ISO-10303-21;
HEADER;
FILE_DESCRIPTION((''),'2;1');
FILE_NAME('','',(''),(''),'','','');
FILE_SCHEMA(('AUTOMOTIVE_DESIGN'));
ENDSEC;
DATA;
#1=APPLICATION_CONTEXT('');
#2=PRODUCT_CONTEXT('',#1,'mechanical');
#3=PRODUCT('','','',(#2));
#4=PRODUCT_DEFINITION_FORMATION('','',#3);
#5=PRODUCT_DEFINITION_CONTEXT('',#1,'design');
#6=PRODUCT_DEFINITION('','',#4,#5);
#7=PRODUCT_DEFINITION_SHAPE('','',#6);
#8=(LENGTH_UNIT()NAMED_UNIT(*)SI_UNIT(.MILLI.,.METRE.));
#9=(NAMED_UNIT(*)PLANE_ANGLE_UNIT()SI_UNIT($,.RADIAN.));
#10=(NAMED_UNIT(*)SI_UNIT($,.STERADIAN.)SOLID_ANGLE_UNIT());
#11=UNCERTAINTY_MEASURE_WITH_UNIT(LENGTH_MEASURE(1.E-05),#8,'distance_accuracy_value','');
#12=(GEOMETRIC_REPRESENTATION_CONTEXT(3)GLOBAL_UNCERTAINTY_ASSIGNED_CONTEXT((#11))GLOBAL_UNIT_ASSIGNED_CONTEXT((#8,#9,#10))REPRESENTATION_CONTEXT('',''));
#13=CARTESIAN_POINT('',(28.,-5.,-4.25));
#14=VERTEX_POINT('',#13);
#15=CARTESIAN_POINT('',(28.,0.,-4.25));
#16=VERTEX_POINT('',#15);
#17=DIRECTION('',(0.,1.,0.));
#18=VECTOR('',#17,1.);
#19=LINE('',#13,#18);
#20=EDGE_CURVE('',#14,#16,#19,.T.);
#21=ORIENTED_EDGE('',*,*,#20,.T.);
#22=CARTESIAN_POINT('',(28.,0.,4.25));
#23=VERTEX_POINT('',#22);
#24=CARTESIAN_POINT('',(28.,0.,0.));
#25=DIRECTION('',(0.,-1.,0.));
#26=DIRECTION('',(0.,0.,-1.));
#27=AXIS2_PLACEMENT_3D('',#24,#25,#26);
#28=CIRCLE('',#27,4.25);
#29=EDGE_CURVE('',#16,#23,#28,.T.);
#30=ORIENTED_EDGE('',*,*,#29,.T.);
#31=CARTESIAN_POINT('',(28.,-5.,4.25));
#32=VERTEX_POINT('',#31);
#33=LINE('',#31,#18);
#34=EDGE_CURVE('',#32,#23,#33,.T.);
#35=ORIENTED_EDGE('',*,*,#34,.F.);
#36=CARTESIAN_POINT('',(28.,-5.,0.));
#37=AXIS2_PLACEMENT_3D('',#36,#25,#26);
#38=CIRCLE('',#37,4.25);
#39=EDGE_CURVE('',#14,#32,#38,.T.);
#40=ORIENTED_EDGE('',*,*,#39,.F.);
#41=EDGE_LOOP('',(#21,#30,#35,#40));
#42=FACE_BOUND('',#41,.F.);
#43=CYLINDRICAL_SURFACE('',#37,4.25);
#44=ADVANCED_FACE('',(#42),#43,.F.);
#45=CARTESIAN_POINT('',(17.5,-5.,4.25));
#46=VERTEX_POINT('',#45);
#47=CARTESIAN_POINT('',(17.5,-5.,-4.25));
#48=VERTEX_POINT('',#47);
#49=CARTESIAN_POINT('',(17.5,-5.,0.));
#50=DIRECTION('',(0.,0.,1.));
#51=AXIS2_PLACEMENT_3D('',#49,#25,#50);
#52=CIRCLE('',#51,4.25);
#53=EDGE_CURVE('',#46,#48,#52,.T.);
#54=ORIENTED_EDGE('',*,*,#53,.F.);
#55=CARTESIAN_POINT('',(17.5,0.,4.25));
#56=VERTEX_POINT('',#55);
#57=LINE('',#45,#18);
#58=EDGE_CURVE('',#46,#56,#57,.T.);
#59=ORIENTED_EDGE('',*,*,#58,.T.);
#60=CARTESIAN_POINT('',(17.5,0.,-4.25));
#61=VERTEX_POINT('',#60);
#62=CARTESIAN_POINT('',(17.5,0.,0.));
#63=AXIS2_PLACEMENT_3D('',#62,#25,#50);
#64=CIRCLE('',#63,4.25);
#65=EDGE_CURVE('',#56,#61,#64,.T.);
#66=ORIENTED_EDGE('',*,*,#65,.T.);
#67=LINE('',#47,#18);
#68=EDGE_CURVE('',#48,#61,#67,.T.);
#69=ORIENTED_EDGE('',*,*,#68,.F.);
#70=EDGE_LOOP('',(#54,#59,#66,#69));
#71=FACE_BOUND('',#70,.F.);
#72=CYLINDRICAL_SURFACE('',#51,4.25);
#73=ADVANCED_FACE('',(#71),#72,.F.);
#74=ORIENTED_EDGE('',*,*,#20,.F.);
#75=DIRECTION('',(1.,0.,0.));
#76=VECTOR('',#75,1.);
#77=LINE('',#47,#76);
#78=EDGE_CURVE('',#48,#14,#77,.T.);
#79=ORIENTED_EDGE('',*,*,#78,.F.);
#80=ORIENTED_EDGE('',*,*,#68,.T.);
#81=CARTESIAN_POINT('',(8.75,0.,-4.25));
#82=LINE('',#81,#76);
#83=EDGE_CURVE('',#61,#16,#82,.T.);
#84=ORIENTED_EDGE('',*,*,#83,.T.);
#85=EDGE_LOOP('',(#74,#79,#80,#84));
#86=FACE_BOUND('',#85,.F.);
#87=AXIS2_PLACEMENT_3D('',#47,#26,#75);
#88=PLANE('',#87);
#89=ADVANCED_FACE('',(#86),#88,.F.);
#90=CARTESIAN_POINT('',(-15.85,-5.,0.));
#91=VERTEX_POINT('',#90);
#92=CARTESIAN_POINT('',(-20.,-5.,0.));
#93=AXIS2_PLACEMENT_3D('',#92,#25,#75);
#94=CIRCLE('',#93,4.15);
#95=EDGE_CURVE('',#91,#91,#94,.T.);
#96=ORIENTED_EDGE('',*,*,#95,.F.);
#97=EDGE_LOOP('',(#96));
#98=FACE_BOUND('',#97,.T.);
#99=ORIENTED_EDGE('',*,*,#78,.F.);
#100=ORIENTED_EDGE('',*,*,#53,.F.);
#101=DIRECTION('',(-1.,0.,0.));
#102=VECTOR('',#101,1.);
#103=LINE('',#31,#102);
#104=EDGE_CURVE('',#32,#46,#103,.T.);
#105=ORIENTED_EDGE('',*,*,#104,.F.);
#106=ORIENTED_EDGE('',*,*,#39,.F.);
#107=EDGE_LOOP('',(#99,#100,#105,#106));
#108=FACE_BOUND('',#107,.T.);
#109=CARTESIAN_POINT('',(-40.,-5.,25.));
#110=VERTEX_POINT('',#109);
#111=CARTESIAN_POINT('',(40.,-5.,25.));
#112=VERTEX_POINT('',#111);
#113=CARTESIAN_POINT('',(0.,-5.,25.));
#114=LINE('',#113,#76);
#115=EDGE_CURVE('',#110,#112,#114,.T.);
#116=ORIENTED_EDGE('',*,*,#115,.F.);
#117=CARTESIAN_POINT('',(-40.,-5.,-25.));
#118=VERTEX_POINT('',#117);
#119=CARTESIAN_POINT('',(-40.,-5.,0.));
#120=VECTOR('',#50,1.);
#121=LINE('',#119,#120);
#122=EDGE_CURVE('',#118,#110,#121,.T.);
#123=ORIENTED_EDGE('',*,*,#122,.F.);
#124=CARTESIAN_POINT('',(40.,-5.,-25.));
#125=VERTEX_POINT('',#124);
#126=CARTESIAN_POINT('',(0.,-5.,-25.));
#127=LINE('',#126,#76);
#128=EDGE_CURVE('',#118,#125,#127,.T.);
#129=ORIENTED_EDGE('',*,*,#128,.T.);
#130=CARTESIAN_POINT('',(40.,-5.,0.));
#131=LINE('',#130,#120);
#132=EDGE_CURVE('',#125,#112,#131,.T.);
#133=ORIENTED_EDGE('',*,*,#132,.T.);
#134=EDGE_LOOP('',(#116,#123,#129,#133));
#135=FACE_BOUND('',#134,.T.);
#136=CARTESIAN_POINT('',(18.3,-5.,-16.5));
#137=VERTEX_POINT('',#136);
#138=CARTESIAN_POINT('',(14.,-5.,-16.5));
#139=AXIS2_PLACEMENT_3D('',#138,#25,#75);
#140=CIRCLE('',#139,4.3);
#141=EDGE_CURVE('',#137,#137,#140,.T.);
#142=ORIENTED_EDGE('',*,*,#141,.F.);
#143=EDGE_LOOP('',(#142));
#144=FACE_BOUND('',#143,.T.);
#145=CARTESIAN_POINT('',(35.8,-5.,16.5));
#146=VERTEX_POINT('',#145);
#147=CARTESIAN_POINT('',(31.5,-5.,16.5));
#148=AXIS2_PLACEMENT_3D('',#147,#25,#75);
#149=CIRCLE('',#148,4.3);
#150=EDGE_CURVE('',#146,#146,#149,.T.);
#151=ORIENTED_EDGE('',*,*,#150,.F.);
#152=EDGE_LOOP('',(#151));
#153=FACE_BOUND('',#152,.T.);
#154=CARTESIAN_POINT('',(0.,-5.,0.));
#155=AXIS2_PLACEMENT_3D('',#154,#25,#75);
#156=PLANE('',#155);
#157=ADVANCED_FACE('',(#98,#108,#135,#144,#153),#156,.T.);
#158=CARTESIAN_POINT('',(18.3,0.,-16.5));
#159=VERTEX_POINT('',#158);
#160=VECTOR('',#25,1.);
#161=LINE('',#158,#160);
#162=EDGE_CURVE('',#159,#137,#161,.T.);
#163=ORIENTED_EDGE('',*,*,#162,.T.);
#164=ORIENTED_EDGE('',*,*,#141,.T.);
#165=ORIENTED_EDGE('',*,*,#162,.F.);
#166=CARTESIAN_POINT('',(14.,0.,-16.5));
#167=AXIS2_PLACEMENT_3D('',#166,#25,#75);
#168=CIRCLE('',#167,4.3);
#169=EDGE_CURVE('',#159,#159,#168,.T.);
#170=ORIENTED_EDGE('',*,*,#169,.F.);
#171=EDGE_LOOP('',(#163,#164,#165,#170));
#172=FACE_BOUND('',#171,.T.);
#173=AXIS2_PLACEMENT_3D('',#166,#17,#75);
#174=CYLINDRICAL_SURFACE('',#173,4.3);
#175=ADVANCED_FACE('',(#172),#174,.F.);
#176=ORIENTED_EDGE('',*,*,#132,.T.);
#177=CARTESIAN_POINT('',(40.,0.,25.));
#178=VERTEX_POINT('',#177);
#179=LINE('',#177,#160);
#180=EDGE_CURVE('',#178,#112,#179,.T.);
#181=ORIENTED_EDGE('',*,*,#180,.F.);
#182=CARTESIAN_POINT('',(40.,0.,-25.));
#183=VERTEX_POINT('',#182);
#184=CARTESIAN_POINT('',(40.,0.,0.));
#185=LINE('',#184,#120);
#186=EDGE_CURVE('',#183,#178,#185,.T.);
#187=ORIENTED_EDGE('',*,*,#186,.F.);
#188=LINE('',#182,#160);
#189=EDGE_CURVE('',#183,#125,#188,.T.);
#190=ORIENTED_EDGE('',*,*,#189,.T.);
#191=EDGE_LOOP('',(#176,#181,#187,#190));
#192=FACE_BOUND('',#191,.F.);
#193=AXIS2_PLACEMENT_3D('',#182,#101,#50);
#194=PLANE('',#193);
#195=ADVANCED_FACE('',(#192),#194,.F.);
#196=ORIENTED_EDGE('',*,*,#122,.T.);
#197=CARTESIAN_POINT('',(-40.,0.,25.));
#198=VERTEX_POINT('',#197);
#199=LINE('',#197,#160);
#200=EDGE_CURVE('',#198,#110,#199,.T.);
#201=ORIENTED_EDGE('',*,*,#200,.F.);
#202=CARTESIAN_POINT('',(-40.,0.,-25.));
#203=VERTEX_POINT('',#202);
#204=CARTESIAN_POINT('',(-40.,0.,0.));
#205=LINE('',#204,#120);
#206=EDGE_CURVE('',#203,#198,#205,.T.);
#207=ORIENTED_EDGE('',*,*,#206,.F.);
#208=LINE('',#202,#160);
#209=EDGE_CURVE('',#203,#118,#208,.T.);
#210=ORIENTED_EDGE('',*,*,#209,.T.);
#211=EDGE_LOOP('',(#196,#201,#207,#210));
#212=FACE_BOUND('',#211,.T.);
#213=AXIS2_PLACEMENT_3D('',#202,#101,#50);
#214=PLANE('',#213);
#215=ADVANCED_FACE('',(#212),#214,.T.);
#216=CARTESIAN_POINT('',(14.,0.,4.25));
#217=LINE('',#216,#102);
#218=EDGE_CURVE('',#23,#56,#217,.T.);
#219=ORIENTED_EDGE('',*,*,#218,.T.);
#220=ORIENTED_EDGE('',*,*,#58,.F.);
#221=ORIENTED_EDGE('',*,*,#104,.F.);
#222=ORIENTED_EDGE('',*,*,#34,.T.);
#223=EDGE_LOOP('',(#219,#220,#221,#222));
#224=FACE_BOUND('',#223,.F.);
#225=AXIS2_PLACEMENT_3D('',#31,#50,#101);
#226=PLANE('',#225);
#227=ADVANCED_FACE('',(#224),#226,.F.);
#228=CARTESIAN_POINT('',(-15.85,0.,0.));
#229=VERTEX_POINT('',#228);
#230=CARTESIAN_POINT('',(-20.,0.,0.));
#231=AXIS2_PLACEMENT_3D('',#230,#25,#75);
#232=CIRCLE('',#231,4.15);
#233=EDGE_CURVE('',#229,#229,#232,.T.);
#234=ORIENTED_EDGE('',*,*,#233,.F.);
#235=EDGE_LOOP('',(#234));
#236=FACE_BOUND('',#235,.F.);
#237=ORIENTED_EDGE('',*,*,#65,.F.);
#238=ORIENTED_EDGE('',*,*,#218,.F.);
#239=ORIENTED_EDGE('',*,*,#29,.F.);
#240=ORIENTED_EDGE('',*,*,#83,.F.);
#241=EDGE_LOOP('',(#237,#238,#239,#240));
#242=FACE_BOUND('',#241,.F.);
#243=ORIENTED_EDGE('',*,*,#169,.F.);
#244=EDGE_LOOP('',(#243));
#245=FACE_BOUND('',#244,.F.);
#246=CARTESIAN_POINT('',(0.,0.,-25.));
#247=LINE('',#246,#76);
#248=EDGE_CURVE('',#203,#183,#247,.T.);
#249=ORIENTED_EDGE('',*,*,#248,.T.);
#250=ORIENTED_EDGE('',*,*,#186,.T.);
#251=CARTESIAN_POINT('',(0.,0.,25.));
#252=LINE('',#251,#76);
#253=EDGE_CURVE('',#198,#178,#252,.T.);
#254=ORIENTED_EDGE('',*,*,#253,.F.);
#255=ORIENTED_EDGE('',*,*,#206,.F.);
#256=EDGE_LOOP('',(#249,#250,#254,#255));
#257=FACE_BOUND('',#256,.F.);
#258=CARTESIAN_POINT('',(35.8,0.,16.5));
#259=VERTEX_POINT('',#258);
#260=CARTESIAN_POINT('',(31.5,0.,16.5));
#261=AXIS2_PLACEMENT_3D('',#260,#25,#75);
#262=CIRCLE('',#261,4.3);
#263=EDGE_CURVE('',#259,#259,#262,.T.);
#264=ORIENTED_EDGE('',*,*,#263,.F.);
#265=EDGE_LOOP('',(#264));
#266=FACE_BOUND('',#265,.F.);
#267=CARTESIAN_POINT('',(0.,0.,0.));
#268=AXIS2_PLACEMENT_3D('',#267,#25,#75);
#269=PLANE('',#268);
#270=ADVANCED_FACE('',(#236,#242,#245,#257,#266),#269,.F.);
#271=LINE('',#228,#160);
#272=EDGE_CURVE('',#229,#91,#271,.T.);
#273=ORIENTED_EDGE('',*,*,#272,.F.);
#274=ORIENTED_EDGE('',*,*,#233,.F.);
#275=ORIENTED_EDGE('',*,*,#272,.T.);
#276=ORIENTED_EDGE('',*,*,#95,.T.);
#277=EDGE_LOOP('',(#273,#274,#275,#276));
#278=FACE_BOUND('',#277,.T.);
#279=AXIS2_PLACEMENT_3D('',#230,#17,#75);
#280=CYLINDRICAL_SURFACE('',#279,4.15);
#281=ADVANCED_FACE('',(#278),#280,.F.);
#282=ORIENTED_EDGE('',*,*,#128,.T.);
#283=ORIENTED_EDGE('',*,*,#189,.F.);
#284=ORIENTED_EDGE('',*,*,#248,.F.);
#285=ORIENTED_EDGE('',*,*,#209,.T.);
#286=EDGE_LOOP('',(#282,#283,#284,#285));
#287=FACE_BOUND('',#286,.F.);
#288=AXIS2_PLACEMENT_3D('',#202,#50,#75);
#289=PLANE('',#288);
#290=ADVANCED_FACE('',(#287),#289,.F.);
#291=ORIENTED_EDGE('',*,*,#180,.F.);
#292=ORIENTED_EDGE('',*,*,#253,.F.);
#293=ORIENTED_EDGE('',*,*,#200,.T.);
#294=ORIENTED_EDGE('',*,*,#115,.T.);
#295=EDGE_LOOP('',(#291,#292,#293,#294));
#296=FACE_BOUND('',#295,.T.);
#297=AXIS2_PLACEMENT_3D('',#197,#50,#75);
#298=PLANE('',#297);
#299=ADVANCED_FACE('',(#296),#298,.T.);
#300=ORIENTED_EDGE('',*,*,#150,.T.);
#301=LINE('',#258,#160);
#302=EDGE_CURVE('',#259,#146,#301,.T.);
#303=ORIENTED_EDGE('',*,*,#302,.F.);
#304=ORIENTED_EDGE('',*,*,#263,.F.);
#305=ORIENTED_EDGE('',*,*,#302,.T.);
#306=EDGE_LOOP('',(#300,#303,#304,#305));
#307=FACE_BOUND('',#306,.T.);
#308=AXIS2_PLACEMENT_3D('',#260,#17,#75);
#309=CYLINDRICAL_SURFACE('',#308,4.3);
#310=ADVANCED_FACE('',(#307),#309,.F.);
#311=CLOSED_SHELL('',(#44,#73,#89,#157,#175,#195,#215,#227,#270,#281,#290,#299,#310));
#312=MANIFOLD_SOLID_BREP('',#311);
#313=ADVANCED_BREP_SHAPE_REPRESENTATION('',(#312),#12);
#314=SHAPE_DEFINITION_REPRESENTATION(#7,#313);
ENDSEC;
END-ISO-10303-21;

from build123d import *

# Parameters (mm, degrees)
F0_W     = 80
F0_H     = 50
F0_R     = 4.3
F0_R_2   = 4.15
F1_DEPTH = 5
F3_DEPTH = 25


with BuildPart() as f1:
    # F0 (on Front) → F1 (new body)
    with BuildSketch(Plane.XZ):
        Rectangle(F0_W, F0_H)
        with Locations((14, -16.5)):
            Circle(F0_R, mode=Mode.SUBTRACT)
        with Locations((-20, 0)):
            Circle(F0_R_2, mode=Mode.SUBTRACT)
        with Locations((31.5, 16.5)):
            Circle(F0_R, mode=Mode.SUBTRACT)
    extrude(amount=F1_DEPTH)

    # F2 (on face) → F3 (cut)
    with BuildSketch(Plane.XZ.offset(5)):
        with BuildLine():
            Line((17.5, -4.25), (28, -4.25))
            ThreePointArc((28, -4.25), (32.25, 0), (28, 4.25))
            Line((28, 4.25), (17.5, 4.25))
            ThreePointArc((17.5, 4.25), (13.25, 0), (17.5, -4.25))
        make_face()
    extrude(amount=-F3_DEPTH, mode=Mode.SUBTRACT)


solid = f1.part
